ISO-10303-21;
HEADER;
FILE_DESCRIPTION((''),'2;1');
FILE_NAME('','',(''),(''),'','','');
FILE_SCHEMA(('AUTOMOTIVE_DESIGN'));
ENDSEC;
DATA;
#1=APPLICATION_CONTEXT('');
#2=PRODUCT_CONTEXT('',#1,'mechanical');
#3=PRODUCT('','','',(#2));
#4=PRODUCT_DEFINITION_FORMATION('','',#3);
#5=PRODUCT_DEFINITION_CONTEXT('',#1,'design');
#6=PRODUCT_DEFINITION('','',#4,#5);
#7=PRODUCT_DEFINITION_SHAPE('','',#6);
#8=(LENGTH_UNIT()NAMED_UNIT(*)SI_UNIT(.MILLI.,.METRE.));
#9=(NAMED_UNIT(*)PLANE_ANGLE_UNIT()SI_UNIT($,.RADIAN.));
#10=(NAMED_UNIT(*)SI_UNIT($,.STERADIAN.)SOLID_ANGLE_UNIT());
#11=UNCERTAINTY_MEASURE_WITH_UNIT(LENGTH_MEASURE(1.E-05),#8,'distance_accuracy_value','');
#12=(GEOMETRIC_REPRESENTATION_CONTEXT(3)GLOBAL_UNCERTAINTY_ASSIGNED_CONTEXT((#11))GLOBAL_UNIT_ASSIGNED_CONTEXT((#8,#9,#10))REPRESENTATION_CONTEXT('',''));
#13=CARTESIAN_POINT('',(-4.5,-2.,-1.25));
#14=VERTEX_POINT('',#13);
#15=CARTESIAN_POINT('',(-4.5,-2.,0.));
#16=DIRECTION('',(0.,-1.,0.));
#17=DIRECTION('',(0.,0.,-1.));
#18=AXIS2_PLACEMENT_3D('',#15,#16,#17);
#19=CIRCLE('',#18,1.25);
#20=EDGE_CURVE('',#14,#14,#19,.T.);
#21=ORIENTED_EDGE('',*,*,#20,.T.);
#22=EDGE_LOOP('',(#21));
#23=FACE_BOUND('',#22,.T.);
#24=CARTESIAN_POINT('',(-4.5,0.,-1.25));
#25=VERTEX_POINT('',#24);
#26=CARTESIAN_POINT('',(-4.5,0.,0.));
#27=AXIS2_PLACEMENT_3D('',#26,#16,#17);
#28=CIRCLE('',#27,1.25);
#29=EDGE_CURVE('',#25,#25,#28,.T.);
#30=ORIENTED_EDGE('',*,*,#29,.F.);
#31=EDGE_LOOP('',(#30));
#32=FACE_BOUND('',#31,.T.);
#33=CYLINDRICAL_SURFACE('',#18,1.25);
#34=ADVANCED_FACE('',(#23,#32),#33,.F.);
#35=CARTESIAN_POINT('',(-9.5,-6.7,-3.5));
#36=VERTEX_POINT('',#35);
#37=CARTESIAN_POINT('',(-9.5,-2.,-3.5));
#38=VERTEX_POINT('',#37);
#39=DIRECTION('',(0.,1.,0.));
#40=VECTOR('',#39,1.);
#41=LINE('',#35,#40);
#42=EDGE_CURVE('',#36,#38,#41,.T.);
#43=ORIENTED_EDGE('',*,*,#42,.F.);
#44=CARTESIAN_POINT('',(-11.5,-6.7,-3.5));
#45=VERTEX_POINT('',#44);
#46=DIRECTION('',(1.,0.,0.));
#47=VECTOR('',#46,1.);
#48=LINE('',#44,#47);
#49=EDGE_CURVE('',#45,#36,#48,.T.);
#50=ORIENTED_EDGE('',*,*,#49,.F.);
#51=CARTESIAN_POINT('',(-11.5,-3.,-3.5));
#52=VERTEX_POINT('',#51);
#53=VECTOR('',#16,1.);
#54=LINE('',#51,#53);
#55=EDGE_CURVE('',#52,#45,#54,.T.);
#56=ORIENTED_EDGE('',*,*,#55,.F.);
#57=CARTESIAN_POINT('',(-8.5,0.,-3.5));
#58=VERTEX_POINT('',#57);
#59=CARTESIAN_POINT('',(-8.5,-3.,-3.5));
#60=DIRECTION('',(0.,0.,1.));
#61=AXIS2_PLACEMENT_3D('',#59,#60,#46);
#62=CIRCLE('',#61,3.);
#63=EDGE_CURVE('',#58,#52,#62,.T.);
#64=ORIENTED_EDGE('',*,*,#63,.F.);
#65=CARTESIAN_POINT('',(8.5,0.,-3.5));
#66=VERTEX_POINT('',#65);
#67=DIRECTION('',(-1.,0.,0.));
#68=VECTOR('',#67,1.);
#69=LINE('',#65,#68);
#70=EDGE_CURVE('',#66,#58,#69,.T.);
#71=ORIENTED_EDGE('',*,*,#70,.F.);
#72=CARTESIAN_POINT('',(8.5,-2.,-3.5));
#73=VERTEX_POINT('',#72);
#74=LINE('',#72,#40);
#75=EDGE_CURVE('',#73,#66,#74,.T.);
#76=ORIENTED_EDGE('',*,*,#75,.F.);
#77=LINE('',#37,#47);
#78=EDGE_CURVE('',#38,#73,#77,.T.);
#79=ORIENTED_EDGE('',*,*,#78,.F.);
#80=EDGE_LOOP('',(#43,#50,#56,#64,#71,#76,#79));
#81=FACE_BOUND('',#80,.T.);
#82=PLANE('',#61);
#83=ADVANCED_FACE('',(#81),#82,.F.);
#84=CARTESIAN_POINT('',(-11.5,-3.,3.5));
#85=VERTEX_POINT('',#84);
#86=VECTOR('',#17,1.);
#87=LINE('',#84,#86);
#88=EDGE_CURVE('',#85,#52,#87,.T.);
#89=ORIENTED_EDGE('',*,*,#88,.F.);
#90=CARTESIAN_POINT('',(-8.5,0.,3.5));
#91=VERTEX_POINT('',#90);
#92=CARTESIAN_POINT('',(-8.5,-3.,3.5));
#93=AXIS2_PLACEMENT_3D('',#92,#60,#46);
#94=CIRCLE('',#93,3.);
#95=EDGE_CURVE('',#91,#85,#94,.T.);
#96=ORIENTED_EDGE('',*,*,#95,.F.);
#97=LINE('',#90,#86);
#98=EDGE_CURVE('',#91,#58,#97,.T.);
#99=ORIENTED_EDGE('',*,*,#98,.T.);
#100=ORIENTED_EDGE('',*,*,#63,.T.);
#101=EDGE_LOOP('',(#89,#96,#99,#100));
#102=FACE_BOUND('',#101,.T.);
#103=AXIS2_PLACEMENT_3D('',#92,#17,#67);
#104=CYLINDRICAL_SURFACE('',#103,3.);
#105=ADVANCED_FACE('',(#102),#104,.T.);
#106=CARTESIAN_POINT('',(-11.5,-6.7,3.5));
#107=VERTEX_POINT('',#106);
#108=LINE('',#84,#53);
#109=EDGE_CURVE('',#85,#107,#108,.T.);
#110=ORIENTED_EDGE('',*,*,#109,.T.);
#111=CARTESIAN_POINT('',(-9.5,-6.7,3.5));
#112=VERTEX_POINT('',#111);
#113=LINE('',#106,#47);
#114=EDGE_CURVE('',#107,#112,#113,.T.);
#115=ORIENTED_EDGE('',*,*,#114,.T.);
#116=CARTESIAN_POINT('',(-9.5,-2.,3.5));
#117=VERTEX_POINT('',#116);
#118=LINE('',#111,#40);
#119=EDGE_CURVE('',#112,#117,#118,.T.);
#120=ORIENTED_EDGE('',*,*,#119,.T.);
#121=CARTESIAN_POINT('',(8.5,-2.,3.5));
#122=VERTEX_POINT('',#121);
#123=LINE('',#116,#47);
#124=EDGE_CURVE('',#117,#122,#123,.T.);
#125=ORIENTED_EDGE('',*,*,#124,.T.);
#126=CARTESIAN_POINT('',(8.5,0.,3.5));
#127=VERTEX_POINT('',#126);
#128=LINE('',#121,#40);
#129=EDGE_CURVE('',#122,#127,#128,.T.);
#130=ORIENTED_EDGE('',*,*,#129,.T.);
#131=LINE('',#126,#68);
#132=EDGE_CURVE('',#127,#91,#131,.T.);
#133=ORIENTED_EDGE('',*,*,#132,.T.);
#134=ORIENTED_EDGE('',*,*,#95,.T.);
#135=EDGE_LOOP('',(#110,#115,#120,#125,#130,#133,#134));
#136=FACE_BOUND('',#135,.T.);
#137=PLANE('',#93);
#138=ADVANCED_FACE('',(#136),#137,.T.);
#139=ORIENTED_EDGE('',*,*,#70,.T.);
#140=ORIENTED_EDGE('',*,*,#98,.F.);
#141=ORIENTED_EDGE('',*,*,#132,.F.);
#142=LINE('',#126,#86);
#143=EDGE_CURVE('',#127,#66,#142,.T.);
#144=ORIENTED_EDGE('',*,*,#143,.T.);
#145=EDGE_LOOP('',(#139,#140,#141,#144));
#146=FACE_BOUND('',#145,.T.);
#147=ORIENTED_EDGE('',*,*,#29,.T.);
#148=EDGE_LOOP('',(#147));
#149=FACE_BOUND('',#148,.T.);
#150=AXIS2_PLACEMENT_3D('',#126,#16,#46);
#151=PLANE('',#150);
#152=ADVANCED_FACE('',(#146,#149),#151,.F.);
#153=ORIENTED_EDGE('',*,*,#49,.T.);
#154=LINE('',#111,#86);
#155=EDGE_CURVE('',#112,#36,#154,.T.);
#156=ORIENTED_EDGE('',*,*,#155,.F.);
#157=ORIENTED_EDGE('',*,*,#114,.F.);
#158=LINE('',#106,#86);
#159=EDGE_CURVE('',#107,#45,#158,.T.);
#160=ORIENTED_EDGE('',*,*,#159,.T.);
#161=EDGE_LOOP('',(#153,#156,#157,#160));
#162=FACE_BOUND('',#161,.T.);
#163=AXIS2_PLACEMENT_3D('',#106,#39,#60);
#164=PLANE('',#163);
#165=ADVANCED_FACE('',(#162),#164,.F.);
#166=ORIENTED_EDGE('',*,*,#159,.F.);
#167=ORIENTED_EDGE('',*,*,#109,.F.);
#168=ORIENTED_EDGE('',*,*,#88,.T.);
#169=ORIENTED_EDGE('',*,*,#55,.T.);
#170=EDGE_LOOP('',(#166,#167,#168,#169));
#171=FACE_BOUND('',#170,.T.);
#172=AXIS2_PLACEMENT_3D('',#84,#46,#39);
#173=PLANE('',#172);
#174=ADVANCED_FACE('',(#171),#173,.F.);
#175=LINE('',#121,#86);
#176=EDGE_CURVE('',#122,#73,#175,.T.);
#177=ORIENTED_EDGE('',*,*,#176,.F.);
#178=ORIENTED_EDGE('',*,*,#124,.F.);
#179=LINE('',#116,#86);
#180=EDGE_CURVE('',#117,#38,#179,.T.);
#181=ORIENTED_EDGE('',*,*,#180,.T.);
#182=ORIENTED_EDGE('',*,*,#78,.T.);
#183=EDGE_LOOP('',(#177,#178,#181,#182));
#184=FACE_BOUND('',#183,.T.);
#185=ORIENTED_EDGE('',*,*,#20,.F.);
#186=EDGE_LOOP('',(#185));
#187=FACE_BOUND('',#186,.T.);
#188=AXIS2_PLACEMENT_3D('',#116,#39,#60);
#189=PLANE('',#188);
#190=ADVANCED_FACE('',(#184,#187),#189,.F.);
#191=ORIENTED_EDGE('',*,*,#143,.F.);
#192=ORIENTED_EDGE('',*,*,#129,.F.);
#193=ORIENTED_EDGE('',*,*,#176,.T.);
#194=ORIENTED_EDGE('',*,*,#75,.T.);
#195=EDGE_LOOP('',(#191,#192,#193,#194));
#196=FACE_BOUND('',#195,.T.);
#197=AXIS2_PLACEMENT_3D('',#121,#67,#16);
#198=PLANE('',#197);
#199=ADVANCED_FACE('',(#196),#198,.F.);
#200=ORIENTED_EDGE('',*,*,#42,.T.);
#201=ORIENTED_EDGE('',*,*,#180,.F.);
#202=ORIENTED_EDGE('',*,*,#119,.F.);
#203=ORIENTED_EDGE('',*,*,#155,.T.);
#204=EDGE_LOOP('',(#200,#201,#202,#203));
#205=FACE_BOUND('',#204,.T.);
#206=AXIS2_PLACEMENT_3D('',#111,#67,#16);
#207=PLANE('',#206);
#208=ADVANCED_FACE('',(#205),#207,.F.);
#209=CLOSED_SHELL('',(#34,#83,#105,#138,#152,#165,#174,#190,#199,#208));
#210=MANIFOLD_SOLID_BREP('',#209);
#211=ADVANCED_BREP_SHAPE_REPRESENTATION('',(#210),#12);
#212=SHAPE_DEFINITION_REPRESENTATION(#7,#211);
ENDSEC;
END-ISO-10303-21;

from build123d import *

# Parameters (mm, degrees)
EXTRUDE_1_DEPTH   = 3.5
HOLE_WIZARD_M31_D = 2.5


with BuildPart() as part:
    # Эскиз1 → Бобышка-Вытянуть1 (new, symmetric)
    with BuildSketch(Plane.XY):
        with BuildLine():
            Line((8.5, 0), (-8.5, 0))
            ThreePointArc((-8.5, 0), (-10.621320344, -0.878679656), (-11.5, -3))
            Line((-11.5, -3), (-11.5, -6.7))
            Line((-11.5, -6.7), (-9.5, -6.7))
            Line((-9.5, -6.7), (-9.5, -2))
            Line((-9.5, -2), (8.5, -2))
            Line((8.5, -2), (8.5, 0))
        make_face()
    extrude(amount=EXTRUDE_1_DEPTH, both=True)

    # Отверстие обработанное метчиком M31 (through all)
    with Locations(Plane(origin=(0, -2, 0), x_dir=(-1, 0, 0), z_dir=(0, -1, 0))):
        with Locations((4.5, 0)):
            Hole(HOLE_WIZARD_M31_D / 2)


solid = part.part
